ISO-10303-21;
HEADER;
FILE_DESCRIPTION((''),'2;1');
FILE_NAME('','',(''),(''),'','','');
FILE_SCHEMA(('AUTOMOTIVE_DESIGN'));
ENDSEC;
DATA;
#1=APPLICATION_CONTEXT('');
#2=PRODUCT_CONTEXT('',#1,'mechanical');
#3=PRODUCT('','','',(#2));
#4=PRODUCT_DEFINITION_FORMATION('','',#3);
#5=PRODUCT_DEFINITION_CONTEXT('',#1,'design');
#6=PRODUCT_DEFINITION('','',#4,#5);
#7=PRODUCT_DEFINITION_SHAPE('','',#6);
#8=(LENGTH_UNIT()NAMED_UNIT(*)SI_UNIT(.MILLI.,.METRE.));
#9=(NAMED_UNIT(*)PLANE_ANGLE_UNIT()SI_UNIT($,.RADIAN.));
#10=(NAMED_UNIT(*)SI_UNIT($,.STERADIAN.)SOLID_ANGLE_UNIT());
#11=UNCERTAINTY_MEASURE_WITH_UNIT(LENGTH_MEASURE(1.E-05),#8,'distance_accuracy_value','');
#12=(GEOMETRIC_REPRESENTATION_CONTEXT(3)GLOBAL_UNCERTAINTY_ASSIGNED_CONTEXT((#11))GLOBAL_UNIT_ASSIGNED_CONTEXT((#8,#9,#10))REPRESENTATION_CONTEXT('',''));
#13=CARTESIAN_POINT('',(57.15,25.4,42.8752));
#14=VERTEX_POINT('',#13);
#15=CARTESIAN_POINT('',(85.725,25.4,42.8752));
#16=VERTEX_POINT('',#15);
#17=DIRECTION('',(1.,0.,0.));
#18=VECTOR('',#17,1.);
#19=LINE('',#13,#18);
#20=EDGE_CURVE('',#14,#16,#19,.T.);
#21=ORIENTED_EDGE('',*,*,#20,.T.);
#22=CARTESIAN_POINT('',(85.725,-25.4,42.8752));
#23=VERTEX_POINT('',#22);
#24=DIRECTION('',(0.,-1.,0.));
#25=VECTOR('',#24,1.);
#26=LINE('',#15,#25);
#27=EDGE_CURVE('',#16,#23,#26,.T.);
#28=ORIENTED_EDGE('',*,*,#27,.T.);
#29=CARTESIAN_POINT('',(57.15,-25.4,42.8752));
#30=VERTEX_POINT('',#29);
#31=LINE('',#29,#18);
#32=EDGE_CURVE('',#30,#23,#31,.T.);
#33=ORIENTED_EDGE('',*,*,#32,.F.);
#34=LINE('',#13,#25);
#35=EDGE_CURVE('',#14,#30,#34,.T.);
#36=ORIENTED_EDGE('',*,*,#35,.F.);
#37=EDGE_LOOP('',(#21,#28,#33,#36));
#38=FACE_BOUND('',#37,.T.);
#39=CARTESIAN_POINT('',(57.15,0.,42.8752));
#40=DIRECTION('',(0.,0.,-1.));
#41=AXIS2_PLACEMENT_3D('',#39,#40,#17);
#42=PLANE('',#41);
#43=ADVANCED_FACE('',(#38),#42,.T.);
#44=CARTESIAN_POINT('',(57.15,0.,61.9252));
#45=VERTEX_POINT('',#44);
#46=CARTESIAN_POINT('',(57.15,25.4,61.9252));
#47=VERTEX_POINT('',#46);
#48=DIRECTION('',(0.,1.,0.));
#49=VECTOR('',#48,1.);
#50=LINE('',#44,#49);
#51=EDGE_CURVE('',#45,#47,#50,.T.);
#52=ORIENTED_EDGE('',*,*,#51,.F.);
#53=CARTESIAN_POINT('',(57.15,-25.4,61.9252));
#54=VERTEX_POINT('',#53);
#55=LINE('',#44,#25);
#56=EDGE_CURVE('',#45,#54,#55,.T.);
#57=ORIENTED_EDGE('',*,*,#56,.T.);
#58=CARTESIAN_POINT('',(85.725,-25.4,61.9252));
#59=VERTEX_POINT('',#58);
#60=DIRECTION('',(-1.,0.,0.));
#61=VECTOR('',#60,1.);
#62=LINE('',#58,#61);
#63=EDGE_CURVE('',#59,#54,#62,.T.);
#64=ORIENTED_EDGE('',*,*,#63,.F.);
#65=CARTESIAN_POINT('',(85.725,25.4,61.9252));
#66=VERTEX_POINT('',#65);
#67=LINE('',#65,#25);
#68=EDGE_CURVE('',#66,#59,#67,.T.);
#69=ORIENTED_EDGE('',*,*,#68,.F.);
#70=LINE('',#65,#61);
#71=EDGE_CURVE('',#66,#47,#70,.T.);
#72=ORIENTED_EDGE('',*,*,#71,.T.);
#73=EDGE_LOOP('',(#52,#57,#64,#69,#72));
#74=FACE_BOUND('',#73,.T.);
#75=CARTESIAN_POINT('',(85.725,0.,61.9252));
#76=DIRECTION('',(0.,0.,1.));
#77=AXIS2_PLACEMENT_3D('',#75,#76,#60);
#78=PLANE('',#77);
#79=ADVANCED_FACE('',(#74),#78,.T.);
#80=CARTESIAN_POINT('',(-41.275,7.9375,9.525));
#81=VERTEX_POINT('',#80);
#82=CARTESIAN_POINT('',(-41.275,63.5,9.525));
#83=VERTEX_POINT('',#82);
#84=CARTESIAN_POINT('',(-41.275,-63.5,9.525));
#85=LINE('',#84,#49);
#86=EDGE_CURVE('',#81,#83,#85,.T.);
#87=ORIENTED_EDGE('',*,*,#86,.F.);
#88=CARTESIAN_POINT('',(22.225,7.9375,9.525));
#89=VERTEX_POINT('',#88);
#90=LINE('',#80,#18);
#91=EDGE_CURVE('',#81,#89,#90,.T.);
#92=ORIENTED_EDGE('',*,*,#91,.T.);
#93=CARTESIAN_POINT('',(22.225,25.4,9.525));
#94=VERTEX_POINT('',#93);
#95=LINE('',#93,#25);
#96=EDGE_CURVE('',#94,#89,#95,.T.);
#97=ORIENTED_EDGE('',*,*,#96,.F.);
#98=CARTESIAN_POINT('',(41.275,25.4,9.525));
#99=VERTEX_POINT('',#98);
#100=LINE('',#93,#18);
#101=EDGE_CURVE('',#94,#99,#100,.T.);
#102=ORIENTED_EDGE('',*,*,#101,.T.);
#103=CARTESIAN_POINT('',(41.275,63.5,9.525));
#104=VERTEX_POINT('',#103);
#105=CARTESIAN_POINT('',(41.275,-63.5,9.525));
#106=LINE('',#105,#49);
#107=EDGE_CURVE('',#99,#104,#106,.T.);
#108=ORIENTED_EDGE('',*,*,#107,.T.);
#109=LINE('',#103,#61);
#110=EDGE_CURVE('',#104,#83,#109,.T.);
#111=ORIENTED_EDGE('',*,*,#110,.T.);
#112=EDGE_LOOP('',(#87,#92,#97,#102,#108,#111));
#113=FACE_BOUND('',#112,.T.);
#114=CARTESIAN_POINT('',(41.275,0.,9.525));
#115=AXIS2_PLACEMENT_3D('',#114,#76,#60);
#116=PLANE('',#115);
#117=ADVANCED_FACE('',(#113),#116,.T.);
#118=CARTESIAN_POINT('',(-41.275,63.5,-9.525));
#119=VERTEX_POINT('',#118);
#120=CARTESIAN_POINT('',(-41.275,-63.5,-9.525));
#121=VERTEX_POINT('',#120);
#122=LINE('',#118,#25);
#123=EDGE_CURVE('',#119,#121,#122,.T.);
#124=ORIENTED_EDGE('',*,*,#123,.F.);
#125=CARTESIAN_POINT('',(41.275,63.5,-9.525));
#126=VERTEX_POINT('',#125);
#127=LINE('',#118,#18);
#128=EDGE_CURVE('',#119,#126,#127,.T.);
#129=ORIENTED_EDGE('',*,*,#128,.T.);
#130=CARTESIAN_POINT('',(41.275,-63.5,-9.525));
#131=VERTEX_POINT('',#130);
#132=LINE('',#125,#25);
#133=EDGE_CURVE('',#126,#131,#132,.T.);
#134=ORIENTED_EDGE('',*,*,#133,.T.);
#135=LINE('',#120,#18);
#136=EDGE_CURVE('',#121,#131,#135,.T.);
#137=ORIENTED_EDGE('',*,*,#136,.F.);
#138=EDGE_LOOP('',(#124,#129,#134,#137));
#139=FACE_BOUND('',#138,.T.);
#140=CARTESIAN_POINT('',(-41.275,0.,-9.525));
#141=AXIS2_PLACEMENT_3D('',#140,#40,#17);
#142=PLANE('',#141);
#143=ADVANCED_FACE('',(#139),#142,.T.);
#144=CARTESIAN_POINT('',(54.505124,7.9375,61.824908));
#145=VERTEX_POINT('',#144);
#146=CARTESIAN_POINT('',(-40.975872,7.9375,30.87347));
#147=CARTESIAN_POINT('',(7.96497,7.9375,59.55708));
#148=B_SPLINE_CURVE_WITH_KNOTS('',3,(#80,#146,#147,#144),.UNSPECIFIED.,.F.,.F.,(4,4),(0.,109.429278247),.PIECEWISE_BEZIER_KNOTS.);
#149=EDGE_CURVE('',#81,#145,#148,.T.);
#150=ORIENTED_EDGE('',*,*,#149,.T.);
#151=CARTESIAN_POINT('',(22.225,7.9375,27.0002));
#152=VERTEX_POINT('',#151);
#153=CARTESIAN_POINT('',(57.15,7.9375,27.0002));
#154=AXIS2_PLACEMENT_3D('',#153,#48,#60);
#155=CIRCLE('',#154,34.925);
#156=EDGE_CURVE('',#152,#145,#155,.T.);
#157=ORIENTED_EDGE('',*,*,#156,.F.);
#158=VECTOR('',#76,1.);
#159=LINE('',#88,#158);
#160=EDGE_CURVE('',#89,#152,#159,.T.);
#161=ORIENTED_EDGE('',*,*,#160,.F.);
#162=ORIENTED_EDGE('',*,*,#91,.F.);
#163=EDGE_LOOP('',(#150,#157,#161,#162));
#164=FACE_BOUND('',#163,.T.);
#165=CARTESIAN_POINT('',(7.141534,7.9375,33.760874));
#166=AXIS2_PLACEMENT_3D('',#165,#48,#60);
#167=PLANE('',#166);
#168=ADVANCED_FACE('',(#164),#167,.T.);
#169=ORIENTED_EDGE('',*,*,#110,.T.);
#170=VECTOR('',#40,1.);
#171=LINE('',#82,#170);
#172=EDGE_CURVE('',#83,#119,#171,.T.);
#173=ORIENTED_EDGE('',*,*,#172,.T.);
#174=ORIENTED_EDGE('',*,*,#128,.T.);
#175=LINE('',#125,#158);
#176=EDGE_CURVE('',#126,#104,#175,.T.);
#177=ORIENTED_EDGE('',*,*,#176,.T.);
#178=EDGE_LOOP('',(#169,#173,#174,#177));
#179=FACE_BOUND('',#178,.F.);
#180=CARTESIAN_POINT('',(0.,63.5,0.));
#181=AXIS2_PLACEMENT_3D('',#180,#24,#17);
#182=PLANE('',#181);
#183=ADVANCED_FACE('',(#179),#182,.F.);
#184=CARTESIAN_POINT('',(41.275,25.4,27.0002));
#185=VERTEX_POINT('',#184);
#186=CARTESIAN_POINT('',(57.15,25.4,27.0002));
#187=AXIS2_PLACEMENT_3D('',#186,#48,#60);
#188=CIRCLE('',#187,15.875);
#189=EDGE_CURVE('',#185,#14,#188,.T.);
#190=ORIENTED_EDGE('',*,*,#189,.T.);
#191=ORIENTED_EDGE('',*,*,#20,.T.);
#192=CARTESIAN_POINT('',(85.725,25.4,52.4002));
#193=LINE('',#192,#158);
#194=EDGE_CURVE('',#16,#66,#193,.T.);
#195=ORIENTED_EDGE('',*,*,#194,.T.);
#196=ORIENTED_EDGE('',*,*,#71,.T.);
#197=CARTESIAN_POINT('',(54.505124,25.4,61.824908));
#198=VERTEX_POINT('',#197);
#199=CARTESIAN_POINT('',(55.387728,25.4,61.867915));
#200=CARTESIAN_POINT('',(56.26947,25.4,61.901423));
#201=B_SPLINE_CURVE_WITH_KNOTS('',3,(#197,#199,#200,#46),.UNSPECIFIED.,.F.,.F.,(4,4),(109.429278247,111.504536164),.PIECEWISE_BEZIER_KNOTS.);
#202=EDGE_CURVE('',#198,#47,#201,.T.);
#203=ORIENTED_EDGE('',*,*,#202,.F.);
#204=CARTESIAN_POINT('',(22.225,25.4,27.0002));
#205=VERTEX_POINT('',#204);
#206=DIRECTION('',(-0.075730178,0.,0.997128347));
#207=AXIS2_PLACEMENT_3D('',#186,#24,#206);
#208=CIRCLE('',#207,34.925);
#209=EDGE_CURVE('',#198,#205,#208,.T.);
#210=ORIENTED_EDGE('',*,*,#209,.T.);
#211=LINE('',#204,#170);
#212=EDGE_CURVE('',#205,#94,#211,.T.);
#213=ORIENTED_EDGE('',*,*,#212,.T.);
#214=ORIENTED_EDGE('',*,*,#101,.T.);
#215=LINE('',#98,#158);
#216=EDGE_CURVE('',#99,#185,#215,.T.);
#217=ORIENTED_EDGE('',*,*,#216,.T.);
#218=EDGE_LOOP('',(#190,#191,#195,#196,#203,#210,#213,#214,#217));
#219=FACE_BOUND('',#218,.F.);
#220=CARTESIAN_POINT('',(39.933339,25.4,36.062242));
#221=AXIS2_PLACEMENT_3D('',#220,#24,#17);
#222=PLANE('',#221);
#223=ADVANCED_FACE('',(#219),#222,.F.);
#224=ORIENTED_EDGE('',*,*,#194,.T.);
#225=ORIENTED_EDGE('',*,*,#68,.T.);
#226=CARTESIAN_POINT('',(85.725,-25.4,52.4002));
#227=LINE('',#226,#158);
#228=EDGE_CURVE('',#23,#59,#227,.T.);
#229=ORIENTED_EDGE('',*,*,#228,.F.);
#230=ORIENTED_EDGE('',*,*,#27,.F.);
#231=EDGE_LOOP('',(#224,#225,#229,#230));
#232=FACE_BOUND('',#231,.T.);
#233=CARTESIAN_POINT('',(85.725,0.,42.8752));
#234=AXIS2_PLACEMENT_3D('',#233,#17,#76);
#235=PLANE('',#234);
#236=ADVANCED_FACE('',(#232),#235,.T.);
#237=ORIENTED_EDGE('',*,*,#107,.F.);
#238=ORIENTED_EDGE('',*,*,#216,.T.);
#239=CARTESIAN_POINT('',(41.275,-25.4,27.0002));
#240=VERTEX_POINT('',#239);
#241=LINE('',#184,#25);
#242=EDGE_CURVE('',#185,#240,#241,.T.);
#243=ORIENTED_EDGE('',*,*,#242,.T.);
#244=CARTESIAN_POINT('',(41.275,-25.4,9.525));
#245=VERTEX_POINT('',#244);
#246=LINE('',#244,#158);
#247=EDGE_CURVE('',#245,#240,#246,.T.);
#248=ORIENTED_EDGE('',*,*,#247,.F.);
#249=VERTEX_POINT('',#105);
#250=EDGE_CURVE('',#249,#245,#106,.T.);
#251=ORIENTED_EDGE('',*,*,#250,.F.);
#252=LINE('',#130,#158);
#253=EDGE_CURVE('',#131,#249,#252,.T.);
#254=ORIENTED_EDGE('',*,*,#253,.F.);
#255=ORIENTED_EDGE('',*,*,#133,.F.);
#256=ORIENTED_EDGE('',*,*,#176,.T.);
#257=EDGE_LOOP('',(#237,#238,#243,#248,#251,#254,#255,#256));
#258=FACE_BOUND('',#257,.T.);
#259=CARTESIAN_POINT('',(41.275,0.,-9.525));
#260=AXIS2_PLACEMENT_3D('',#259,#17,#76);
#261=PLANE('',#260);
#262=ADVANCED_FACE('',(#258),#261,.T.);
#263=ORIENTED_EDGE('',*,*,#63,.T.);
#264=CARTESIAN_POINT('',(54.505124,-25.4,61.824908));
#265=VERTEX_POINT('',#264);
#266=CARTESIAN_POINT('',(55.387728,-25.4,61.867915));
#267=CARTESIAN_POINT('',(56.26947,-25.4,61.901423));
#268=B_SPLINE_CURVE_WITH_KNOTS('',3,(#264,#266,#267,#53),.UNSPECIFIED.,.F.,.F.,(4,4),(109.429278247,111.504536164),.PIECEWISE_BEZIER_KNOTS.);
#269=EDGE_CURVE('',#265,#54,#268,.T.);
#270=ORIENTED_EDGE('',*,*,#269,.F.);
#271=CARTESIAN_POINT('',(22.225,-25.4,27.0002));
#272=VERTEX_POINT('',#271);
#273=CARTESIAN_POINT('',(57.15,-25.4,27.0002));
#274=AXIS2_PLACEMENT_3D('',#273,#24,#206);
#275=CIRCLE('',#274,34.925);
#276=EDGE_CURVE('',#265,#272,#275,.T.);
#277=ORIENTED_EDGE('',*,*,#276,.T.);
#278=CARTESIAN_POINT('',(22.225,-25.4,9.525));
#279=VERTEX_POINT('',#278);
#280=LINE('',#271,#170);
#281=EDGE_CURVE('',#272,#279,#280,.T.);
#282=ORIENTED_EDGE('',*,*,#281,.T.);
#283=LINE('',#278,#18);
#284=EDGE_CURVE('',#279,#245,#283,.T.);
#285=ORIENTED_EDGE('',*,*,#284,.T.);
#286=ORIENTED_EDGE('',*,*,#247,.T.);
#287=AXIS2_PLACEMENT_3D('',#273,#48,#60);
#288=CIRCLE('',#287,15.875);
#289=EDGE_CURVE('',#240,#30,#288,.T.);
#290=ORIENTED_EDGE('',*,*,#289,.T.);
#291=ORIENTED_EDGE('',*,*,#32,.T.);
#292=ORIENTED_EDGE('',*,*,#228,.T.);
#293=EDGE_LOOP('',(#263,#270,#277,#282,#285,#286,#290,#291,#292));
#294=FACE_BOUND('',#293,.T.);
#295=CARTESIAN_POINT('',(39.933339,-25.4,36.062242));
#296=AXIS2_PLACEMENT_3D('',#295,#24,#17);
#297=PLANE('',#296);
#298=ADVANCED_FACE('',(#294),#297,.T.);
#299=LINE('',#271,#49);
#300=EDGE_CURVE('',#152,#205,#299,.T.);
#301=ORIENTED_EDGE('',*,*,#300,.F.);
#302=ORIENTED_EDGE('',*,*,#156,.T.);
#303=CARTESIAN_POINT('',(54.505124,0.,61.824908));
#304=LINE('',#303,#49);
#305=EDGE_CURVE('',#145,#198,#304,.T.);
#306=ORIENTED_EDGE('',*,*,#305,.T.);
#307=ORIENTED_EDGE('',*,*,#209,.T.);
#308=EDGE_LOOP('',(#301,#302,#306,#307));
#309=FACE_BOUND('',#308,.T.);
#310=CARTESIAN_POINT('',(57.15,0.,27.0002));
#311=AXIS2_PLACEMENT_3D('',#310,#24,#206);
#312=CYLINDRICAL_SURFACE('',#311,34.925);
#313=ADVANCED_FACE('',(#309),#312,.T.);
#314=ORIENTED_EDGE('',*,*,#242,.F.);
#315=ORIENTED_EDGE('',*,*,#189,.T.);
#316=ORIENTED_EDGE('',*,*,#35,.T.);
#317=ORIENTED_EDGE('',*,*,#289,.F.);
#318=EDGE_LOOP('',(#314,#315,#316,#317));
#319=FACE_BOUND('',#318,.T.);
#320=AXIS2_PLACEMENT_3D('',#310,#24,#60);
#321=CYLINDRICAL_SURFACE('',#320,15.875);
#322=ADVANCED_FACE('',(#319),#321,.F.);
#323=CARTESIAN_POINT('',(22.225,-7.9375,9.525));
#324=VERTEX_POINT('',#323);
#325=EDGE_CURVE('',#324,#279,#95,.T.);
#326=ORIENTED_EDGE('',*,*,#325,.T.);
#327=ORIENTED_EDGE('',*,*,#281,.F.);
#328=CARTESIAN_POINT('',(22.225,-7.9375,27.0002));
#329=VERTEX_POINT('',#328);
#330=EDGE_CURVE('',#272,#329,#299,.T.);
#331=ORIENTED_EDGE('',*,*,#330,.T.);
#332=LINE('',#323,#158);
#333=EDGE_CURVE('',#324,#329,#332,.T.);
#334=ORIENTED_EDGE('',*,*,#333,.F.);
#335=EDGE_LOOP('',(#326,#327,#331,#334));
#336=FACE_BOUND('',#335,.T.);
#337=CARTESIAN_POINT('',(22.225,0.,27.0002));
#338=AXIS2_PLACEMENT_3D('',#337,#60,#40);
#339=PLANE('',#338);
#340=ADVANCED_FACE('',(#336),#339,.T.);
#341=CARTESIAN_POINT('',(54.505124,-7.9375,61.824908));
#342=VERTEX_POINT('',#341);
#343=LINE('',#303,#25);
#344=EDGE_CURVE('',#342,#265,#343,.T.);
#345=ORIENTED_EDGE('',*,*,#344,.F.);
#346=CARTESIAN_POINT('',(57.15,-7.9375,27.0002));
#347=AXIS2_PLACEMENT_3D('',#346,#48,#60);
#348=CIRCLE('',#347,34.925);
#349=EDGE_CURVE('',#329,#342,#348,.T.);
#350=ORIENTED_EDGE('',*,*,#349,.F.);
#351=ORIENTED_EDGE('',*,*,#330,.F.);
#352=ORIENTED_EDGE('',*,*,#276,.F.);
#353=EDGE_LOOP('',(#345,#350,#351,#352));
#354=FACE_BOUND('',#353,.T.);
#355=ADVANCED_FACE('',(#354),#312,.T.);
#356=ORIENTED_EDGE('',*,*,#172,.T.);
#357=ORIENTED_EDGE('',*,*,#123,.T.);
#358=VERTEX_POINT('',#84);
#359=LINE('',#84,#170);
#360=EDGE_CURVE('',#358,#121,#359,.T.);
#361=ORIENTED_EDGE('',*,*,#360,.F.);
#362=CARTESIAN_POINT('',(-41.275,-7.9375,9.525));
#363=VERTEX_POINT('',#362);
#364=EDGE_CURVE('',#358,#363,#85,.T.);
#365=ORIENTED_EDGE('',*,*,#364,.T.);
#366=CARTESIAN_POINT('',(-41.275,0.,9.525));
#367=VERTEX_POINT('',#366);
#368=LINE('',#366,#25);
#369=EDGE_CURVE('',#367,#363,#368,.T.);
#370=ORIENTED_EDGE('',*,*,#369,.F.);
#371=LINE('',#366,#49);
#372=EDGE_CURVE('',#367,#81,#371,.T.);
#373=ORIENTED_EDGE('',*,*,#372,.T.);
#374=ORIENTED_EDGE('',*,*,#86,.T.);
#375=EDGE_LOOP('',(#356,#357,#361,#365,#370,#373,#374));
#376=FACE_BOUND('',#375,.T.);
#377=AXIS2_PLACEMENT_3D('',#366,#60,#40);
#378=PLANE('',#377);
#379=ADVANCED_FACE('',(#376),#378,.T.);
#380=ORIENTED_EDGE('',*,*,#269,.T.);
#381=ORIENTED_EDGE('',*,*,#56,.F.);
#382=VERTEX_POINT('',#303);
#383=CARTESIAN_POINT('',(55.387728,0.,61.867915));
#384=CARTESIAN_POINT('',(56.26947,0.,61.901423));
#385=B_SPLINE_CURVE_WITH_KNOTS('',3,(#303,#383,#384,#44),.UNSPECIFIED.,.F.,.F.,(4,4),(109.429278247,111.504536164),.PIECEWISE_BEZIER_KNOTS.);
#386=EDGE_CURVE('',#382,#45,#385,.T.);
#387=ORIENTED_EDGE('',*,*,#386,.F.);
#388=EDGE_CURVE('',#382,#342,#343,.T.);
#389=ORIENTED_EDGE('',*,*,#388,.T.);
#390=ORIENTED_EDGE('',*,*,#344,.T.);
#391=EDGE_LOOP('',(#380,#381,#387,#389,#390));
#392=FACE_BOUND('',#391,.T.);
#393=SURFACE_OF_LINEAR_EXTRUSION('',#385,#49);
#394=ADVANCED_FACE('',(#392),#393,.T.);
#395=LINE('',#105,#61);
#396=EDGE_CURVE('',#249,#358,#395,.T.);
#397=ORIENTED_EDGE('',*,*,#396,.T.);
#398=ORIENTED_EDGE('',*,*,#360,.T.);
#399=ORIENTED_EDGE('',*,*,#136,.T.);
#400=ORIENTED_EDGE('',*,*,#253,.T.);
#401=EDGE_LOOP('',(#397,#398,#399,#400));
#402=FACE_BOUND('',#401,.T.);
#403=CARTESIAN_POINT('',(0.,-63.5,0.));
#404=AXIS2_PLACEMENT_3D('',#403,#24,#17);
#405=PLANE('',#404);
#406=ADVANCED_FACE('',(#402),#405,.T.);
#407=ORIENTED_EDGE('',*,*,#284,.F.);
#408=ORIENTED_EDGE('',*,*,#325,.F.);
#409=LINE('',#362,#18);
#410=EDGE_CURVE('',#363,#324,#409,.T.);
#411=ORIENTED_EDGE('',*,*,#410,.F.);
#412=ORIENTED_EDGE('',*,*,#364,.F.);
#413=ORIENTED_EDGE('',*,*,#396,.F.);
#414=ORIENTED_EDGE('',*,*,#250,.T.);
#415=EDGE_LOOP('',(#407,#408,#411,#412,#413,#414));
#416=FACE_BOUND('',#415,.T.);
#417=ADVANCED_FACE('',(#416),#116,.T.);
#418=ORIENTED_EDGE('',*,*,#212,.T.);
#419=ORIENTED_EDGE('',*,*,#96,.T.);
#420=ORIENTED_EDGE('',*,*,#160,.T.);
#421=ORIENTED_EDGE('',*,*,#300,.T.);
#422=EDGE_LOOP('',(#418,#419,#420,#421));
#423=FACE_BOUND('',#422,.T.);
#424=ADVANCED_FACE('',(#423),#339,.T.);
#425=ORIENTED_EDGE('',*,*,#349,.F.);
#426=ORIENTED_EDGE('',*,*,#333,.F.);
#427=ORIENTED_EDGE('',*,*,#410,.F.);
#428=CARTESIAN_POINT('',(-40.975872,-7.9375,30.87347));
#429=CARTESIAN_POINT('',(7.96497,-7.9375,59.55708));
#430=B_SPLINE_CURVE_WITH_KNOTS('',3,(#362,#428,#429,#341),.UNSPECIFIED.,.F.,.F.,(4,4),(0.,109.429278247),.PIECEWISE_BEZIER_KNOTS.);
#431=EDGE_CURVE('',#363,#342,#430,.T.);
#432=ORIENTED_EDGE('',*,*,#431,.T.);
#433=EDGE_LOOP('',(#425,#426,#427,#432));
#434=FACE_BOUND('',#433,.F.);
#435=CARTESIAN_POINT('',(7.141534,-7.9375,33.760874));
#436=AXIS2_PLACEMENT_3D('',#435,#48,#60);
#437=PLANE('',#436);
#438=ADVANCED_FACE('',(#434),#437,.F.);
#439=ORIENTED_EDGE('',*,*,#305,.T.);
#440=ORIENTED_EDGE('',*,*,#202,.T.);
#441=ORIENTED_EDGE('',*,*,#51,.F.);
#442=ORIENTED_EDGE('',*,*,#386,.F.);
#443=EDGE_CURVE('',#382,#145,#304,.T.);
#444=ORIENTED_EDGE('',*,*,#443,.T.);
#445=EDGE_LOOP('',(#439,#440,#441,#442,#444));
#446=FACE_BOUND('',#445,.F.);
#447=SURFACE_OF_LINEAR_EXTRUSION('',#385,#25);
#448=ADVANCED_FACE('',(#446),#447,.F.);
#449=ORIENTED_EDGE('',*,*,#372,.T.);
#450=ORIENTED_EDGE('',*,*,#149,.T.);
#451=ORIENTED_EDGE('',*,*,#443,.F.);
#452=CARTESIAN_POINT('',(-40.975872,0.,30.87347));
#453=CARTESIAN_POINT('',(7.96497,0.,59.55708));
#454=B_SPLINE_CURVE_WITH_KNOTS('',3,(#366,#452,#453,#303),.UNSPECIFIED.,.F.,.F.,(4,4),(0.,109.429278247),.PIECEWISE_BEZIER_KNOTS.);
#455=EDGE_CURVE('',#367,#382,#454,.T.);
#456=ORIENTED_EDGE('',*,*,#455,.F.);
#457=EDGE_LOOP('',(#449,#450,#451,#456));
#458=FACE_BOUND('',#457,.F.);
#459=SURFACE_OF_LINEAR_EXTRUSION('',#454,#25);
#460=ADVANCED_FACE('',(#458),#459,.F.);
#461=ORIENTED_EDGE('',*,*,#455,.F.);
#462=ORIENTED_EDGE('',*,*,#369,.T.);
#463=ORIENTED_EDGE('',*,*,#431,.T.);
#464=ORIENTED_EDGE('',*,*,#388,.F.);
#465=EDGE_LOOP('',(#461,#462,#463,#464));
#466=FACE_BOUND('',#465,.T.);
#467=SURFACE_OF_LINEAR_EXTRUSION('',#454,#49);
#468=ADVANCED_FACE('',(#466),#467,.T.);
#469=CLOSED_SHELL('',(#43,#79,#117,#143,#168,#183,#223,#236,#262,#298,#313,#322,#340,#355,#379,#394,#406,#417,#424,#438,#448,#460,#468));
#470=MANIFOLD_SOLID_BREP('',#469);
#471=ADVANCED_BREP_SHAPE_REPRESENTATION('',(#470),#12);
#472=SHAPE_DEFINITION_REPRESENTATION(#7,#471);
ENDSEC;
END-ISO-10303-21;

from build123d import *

# Parameters (mm, degrees)
F1_DEPTH = 63.5
F0_W     = 25.4
F0_H     = 19.05
F2_DEPTH = 25.4
F3_DEPTH = 7.9375


with BuildPart() as f1:
    # F0 (on Front) → F1 (new body, symmetric)
    with BuildSketch(Plane.XZ):
        Polygon((22.225, 9.525), (-41.275, 9.525), (-41.275, -9.525), (41.275, -9.525), (41.275, 9.525), align=None)
    extrude(amount=F1_DEPTH, both=True)

    # F0 (on Front) → F2 (join, symmetric)
    with BuildSketch(Plane.XZ):
        with BuildLine():
            Line((22.225, 27.0002), (22.225, 9.525))
            Line((22.225, 9.525), (41.275, 9.525))
            Line((41.275, 9.525), (41.275, 27.0002))
            ThreePointArc((41.275, 27.0002), (45.9246798487, 38.2255201513), (57.15, 42.8752))
            Line((57.15, 42.8752), (60.325, 42.8752))
            Line((60.325, 42.8752), (60.325, 61.9252))
            Line((60.325, 61.9252), (57.15, 61.9252))
            add(Edge.make_bspline(
                [(54.5051235228, 61.8249075138), (55.3877284617, 61.8679154461), (56.2694699988, 61.9014230074), (57.15, 61.9252)],
                knots=[109.4292782466, 109.4292782466, 109.4292782466, 109.4292782466, 111.5045361635, 111.5045361635, 111.5045361635, 111.5045361635], degree=3))
            ThreePointArc((54.5051235228, 61.8249075138), (31.5362543156, 50.7423914957), (22.225, 27.0002))
        make_face()
        with Locations((73.025, 52.4002)):
            Rectangle(F0_W, F0_H)
    extrude(amount=F2_DEPTH, both=True)

    # F0 (on Front) → F3 (join, symmetric)
    with BuildSketch(Plane.XZ):
        with BuildLine():
            add(Edge.make_bspline(
                [(-41.275, 9.525), (-40.9758715935, 30.8734704245), (7.9649702933, 59.5570800062), (54.5051235228, 61.8249075138)],
                knots=[0, 0, 0, 0, 109.4292782466, 109.4292782466, 109.4292782466, 109.4292782466], degree=3))
            Line((-41.275, 9.525), (22.225, 9.525))
            Line((22.225, 9.525), (22.225, 27.0002))
            ThreePointArc((22.225, 27.0002), (31.5362543156, 50.7423914957), (54.5051235228, 61.8249075138))
        make_face()
    extrude(amount=F3_DEPTH, both=True)


solid = f1.part
